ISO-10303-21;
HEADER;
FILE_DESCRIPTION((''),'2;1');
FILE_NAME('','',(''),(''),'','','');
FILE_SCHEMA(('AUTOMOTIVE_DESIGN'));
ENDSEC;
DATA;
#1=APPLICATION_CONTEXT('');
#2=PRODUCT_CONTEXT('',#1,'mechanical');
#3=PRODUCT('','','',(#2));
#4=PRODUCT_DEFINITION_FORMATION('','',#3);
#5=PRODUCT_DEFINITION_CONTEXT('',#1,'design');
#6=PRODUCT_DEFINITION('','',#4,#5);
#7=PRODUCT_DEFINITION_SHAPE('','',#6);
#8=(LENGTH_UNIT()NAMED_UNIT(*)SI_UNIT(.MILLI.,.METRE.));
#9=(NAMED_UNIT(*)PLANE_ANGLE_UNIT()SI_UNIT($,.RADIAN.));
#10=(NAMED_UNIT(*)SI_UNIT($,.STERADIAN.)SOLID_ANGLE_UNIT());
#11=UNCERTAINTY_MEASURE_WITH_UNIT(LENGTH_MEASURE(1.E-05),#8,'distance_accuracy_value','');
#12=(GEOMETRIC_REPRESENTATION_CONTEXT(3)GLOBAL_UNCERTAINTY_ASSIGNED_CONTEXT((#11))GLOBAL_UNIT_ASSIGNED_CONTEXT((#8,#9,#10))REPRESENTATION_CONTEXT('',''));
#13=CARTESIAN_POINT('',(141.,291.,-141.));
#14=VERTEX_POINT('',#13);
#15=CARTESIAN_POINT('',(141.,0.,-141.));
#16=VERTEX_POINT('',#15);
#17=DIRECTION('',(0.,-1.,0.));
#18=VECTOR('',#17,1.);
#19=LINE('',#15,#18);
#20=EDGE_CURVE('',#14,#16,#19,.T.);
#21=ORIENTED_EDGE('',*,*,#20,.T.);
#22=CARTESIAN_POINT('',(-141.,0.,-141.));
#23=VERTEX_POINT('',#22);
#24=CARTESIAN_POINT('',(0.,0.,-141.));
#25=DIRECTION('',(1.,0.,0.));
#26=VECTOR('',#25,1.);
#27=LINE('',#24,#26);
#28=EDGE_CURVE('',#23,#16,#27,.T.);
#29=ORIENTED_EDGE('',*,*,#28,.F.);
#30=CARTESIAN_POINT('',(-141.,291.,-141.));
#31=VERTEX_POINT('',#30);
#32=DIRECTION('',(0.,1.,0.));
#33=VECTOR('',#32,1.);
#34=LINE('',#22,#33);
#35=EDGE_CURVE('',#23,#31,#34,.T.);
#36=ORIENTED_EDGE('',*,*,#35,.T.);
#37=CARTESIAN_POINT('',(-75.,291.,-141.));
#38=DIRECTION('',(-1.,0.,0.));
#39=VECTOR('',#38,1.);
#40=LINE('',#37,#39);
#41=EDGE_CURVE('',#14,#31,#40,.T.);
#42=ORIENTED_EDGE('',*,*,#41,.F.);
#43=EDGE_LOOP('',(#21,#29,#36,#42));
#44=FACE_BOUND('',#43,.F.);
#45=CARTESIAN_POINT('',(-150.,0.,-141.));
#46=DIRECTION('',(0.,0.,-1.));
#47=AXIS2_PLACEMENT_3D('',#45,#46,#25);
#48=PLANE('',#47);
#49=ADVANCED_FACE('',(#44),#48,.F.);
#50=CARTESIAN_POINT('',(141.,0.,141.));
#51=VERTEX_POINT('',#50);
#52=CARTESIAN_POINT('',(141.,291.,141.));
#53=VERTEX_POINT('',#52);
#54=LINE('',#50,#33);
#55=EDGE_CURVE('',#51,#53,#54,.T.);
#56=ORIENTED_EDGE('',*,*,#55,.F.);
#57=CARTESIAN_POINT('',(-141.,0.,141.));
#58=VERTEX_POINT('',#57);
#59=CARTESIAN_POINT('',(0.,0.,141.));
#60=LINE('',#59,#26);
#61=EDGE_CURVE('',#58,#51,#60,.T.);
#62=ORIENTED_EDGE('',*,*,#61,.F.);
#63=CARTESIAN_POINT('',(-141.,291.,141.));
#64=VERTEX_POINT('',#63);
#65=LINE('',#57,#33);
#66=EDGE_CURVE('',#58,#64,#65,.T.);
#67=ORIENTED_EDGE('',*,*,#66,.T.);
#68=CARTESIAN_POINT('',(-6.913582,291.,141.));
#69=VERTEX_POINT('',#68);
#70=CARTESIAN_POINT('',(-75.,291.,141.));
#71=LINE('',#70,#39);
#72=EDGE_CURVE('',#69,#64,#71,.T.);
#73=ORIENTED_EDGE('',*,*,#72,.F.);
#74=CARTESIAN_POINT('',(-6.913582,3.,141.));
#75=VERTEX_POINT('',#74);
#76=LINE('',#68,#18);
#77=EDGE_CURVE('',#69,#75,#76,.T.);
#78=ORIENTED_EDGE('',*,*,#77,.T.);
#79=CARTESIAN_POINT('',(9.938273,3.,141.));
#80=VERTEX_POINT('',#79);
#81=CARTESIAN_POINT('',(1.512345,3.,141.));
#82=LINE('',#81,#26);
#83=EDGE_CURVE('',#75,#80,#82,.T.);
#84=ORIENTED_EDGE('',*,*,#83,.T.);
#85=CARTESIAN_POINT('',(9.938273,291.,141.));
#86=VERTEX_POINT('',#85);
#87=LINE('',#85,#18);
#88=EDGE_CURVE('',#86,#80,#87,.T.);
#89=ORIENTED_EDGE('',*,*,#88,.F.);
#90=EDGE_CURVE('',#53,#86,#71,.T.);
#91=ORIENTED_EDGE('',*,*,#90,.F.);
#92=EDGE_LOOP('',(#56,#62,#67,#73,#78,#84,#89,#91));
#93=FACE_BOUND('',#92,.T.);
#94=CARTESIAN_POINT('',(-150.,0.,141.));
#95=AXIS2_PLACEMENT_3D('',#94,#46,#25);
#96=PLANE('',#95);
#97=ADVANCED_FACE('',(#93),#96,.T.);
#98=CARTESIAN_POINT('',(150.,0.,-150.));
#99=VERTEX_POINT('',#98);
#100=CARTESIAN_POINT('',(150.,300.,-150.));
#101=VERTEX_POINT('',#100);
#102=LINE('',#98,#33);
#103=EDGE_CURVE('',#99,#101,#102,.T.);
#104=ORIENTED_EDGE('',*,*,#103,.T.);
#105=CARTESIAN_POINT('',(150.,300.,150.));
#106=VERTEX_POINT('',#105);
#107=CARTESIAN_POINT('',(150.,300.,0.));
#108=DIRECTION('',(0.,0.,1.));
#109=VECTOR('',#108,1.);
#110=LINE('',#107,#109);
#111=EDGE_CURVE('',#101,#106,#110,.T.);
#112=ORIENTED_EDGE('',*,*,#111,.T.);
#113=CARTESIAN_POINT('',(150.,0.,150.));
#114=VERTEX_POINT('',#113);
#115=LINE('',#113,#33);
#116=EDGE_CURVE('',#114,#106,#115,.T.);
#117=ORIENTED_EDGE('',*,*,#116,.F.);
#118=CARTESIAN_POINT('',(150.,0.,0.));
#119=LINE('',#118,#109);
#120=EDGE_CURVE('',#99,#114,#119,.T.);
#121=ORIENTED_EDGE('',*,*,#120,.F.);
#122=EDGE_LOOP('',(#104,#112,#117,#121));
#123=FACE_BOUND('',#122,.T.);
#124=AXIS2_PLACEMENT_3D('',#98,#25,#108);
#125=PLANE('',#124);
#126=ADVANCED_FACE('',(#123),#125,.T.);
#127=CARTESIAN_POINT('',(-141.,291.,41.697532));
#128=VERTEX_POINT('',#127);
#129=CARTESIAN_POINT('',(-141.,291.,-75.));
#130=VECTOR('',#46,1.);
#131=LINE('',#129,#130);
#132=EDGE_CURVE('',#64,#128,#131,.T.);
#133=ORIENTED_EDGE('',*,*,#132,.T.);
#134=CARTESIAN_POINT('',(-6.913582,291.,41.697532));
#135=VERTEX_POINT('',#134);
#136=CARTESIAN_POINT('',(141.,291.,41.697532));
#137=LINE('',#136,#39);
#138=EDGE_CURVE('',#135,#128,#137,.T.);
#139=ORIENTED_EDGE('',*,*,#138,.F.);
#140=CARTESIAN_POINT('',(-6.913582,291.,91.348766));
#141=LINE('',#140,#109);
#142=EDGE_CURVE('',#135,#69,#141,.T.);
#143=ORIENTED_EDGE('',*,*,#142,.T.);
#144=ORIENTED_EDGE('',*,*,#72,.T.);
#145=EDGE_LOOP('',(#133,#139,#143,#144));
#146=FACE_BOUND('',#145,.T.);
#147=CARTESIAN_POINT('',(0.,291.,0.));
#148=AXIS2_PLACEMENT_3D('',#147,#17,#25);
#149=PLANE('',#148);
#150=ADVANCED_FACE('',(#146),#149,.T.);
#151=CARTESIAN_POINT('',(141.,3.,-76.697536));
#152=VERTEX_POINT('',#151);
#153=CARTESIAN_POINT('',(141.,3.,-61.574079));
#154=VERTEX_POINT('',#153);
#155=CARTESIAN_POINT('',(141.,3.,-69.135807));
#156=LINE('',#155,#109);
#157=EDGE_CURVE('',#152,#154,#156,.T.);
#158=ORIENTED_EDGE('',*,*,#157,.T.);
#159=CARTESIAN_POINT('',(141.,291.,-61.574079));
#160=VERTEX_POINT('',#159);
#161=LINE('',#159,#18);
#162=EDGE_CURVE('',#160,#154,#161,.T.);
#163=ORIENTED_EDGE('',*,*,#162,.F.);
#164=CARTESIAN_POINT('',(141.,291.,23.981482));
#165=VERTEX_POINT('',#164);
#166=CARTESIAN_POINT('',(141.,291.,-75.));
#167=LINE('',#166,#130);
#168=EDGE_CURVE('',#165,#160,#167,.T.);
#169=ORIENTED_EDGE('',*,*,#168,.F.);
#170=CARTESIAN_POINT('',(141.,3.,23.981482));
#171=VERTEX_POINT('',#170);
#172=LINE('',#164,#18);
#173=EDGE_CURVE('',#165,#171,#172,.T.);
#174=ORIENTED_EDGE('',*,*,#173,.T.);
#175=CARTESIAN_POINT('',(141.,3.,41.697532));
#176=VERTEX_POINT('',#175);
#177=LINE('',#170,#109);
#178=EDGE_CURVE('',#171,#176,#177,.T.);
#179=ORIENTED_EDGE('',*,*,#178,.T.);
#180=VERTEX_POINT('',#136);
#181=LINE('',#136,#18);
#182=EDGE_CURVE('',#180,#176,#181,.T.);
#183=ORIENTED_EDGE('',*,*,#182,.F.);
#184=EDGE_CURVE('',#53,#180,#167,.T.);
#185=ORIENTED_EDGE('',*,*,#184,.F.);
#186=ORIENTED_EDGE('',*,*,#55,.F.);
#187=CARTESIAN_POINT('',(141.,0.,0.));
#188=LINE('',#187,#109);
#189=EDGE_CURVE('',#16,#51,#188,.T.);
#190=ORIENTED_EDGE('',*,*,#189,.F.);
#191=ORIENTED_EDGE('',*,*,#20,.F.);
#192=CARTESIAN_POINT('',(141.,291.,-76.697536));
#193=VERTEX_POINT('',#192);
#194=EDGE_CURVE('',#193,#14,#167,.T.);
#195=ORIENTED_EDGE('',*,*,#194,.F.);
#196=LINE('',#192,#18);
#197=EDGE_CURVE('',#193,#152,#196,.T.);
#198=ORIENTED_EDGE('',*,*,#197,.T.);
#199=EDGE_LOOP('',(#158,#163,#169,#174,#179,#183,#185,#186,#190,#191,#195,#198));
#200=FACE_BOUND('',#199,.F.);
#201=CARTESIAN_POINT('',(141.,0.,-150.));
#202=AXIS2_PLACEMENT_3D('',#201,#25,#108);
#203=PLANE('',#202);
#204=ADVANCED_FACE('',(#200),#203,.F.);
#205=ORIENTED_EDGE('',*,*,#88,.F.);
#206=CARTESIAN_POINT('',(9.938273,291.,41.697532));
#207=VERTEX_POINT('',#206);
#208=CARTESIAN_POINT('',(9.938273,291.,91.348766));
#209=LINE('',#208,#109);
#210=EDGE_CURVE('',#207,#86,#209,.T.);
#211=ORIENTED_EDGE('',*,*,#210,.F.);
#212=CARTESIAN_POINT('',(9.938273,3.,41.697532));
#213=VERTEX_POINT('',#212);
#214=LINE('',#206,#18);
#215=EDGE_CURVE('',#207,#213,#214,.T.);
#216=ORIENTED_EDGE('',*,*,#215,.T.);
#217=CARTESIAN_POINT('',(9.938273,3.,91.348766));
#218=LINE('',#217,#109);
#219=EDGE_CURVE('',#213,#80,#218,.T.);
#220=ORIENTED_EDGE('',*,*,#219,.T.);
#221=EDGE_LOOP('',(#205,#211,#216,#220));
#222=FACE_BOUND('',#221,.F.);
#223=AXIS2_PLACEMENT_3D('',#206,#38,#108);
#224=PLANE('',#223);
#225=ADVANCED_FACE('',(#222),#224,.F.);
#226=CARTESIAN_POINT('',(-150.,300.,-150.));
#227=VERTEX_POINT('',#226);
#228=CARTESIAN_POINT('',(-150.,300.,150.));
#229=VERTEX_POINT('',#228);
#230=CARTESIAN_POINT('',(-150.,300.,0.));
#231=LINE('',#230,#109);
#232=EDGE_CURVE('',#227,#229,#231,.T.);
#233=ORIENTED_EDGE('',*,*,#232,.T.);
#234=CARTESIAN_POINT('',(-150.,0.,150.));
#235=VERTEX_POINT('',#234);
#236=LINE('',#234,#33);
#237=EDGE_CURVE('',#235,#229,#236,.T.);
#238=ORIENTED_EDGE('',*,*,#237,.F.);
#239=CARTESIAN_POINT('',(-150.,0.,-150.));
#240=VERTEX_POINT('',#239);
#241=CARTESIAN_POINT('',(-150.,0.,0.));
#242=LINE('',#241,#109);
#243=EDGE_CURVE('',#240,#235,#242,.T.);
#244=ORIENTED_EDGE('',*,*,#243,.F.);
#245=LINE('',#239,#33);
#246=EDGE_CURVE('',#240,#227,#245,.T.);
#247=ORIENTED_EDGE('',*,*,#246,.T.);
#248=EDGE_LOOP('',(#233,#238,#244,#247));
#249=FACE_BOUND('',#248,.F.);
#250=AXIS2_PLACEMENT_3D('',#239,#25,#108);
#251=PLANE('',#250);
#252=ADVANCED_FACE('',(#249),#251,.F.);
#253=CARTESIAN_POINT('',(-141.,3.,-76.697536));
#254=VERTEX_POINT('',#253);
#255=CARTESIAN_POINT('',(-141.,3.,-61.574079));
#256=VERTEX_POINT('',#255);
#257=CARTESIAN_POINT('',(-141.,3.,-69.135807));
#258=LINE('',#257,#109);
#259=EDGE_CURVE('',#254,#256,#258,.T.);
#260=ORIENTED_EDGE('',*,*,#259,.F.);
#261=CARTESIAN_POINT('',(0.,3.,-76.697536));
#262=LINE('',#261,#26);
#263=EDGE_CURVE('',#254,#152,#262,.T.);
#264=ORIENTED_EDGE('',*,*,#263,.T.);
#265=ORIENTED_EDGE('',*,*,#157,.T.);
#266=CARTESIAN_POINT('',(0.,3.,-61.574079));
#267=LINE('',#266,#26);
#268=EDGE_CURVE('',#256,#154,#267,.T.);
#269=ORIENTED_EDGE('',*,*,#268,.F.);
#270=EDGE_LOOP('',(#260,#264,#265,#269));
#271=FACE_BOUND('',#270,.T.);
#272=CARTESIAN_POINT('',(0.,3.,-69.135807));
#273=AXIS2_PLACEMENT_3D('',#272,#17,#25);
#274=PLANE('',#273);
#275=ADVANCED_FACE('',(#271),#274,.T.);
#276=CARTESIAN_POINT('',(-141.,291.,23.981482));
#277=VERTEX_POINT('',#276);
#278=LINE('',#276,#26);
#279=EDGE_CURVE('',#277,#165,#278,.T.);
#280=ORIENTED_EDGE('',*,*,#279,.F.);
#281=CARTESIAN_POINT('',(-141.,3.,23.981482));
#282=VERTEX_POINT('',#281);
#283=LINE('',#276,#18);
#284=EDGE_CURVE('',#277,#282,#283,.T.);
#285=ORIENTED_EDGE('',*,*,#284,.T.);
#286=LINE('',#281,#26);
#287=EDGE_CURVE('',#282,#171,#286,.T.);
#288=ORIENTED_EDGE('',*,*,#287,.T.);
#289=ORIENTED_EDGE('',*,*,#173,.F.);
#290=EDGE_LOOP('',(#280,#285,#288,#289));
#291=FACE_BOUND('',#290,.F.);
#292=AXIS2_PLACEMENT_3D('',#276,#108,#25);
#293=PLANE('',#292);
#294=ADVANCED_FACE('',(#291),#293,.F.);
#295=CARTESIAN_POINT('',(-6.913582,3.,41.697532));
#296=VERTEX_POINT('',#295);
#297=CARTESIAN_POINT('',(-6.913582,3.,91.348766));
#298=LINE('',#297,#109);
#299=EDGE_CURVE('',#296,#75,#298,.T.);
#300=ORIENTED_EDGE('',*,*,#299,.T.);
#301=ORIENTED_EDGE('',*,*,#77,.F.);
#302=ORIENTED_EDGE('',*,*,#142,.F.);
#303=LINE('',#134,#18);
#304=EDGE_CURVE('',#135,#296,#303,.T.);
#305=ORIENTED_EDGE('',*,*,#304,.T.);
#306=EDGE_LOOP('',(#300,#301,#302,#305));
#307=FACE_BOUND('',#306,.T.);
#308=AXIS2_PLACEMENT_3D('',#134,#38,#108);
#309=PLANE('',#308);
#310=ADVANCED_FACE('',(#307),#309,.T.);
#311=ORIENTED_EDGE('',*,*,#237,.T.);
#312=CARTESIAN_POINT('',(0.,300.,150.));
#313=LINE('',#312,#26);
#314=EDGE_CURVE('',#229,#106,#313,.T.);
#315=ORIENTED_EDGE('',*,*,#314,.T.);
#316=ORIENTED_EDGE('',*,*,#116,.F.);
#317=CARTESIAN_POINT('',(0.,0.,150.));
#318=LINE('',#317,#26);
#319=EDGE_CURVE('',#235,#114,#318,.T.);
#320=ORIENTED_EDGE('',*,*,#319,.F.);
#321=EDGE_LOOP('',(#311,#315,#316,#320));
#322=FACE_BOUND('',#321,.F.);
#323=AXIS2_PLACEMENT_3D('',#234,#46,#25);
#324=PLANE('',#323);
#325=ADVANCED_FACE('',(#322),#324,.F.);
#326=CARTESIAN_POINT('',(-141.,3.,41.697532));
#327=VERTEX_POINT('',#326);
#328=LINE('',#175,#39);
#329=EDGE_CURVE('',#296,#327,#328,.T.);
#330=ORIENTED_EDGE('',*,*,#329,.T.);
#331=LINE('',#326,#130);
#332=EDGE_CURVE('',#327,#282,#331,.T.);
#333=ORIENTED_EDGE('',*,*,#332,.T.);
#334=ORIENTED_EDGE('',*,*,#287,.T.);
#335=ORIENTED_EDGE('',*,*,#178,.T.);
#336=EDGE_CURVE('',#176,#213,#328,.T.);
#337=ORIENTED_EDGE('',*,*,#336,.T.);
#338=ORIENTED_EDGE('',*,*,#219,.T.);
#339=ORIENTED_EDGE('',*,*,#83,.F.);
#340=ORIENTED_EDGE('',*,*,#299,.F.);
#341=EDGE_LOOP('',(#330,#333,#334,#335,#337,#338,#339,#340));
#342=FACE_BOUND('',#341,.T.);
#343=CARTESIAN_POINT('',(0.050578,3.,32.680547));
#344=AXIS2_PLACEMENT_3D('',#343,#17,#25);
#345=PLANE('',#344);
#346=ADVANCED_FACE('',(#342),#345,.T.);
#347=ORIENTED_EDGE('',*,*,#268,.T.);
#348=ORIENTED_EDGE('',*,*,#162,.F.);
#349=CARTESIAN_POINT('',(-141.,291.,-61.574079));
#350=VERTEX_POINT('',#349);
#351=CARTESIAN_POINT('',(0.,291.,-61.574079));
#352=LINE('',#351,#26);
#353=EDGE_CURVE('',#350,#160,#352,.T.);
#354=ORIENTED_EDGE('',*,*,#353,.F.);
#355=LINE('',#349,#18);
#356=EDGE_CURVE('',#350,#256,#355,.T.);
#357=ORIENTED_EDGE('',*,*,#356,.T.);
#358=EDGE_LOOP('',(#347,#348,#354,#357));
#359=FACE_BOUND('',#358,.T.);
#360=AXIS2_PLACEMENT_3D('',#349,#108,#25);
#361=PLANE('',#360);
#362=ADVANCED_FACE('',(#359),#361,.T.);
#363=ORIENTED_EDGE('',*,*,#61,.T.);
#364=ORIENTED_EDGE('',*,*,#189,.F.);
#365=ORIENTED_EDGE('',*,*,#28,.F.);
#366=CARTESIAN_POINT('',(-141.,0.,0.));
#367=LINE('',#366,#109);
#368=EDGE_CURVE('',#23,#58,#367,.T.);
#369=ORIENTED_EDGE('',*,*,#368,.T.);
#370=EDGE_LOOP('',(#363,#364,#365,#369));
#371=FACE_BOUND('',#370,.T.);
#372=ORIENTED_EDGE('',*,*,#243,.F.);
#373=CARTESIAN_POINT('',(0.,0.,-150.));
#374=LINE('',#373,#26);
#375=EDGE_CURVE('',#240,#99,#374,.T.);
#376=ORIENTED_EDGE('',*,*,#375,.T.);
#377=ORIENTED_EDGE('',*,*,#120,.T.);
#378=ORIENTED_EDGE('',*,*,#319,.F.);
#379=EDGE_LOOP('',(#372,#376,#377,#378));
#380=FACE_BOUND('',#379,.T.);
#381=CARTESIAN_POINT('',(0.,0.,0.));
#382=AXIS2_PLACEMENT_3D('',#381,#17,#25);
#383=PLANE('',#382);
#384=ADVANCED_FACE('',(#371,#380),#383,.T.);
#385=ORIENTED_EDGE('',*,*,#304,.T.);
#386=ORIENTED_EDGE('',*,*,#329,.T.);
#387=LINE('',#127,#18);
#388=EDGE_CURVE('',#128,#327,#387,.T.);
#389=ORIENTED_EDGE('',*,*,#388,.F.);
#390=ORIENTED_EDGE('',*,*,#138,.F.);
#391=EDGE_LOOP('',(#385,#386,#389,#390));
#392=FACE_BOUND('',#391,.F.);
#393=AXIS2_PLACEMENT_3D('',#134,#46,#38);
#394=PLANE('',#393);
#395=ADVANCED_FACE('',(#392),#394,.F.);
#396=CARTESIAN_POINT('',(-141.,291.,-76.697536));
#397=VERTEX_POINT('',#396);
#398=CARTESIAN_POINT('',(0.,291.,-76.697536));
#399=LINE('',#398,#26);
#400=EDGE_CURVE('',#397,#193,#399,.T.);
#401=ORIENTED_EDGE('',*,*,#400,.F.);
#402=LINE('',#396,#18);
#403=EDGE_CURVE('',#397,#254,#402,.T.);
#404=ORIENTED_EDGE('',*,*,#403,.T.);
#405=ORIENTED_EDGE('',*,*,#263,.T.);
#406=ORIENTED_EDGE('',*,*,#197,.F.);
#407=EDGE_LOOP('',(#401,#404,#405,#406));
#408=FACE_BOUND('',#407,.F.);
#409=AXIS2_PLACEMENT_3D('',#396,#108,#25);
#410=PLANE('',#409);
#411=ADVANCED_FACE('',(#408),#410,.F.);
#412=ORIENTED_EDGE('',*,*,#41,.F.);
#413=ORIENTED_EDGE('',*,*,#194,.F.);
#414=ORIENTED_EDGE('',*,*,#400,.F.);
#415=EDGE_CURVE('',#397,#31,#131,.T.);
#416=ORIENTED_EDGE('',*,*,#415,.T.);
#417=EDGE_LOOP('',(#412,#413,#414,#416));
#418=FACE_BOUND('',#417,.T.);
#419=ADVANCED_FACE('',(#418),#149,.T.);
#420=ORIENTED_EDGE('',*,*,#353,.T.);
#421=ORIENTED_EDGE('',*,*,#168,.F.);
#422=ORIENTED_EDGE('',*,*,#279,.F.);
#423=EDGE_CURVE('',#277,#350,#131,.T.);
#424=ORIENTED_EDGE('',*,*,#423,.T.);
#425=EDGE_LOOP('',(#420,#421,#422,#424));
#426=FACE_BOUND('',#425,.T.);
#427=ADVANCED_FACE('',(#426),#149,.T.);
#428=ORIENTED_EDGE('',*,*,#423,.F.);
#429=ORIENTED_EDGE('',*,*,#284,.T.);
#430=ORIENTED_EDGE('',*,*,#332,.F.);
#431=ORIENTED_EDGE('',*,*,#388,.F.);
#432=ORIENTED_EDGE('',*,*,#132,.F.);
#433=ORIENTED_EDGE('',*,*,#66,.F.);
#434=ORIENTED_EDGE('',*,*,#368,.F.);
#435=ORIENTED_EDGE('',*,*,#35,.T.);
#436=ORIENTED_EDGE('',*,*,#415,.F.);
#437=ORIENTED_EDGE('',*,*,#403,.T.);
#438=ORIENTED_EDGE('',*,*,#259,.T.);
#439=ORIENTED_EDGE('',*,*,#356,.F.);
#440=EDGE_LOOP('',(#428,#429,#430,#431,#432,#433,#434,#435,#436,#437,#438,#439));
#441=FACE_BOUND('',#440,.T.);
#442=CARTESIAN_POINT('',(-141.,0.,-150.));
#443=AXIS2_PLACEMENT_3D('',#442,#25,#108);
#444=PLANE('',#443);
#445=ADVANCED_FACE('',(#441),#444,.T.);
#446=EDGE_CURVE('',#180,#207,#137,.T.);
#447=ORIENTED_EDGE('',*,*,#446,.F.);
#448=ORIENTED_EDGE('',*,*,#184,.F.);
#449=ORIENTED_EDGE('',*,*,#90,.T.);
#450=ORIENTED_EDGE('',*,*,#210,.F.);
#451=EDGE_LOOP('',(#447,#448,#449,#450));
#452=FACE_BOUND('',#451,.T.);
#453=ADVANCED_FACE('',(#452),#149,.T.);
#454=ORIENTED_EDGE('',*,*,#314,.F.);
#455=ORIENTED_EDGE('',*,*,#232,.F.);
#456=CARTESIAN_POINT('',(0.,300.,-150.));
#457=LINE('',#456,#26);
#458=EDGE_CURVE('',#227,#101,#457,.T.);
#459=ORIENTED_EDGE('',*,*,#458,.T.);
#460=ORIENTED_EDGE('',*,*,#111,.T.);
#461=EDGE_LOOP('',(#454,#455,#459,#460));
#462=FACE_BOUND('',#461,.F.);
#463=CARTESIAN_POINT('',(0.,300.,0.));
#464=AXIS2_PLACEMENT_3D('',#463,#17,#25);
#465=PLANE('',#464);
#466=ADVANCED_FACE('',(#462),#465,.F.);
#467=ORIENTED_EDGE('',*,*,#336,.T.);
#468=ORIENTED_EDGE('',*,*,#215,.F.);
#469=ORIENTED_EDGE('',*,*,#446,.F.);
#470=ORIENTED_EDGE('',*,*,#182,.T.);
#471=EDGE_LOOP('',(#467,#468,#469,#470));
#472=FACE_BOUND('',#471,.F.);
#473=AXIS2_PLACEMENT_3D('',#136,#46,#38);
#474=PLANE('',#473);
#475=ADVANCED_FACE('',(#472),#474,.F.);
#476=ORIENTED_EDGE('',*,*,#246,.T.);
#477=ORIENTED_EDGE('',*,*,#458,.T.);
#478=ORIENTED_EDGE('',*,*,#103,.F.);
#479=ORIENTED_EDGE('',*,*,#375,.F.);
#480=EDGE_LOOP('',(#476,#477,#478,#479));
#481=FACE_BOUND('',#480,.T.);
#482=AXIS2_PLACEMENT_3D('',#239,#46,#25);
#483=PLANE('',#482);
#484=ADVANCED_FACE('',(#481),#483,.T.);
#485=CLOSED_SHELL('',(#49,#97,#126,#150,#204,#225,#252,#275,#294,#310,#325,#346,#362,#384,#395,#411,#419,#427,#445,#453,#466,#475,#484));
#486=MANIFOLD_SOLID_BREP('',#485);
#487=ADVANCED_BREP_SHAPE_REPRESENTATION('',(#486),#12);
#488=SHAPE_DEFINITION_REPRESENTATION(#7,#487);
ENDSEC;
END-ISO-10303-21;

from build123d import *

# Parameters (mm, degrees)
F0_W     = 300
F0_H     = 300
F1_DEPTH = 300
F2_T     = -9
F3_W     = 282
F3_H     = 15.1234567165
F3_W_2   = 16.8518549763
F3_H_2   = 10.3703700006
F3_H_3   = 99.3024680614
F4_DEPTH = 288


with BuildPart() as f1:
    # F0 (on Front) → F1 (new body)
    with BuildSketch(Plane.XZ):
        Rectangle(F0_W, F0_H)
    extrude(amount=-F1_DEPTH)

    # F2
    f2_openings = [f1.faces().sort_by_distance(p)[0] for p in [
        (0, 0, 0),
    ]]
    offset(amount=F2_T, openings=f2_openings)

    # F3 (on face) → F4 (join)
    with BuildSketch(Plane.XZ.offset(-291)):
        Polygon((-141, 41.6975319386), (-141, 23.9814817905), (141, 23.9814817905), (141, 41.6975319386), (9.9382726476, 41.6975319386), (9.9382726476, 31.327161938), (-6.9135823287, 31.327161938), (-6.9135823287, 41.6975319386), align=None)
        with Locations((0, -69.1358074546)):
            Rectangle(F3_W, F3_H)
        with Locations((1.5123451594, 36.5123469383)):
            Rectangle(F3_W_2, F3_H_2)
        with Locations((1.5123451594, 91.3487659693)):
            Rectangle(F3_W_2, F3_H_3)
    extrude(amount=F4_DEPTH)


solid = f1.part
